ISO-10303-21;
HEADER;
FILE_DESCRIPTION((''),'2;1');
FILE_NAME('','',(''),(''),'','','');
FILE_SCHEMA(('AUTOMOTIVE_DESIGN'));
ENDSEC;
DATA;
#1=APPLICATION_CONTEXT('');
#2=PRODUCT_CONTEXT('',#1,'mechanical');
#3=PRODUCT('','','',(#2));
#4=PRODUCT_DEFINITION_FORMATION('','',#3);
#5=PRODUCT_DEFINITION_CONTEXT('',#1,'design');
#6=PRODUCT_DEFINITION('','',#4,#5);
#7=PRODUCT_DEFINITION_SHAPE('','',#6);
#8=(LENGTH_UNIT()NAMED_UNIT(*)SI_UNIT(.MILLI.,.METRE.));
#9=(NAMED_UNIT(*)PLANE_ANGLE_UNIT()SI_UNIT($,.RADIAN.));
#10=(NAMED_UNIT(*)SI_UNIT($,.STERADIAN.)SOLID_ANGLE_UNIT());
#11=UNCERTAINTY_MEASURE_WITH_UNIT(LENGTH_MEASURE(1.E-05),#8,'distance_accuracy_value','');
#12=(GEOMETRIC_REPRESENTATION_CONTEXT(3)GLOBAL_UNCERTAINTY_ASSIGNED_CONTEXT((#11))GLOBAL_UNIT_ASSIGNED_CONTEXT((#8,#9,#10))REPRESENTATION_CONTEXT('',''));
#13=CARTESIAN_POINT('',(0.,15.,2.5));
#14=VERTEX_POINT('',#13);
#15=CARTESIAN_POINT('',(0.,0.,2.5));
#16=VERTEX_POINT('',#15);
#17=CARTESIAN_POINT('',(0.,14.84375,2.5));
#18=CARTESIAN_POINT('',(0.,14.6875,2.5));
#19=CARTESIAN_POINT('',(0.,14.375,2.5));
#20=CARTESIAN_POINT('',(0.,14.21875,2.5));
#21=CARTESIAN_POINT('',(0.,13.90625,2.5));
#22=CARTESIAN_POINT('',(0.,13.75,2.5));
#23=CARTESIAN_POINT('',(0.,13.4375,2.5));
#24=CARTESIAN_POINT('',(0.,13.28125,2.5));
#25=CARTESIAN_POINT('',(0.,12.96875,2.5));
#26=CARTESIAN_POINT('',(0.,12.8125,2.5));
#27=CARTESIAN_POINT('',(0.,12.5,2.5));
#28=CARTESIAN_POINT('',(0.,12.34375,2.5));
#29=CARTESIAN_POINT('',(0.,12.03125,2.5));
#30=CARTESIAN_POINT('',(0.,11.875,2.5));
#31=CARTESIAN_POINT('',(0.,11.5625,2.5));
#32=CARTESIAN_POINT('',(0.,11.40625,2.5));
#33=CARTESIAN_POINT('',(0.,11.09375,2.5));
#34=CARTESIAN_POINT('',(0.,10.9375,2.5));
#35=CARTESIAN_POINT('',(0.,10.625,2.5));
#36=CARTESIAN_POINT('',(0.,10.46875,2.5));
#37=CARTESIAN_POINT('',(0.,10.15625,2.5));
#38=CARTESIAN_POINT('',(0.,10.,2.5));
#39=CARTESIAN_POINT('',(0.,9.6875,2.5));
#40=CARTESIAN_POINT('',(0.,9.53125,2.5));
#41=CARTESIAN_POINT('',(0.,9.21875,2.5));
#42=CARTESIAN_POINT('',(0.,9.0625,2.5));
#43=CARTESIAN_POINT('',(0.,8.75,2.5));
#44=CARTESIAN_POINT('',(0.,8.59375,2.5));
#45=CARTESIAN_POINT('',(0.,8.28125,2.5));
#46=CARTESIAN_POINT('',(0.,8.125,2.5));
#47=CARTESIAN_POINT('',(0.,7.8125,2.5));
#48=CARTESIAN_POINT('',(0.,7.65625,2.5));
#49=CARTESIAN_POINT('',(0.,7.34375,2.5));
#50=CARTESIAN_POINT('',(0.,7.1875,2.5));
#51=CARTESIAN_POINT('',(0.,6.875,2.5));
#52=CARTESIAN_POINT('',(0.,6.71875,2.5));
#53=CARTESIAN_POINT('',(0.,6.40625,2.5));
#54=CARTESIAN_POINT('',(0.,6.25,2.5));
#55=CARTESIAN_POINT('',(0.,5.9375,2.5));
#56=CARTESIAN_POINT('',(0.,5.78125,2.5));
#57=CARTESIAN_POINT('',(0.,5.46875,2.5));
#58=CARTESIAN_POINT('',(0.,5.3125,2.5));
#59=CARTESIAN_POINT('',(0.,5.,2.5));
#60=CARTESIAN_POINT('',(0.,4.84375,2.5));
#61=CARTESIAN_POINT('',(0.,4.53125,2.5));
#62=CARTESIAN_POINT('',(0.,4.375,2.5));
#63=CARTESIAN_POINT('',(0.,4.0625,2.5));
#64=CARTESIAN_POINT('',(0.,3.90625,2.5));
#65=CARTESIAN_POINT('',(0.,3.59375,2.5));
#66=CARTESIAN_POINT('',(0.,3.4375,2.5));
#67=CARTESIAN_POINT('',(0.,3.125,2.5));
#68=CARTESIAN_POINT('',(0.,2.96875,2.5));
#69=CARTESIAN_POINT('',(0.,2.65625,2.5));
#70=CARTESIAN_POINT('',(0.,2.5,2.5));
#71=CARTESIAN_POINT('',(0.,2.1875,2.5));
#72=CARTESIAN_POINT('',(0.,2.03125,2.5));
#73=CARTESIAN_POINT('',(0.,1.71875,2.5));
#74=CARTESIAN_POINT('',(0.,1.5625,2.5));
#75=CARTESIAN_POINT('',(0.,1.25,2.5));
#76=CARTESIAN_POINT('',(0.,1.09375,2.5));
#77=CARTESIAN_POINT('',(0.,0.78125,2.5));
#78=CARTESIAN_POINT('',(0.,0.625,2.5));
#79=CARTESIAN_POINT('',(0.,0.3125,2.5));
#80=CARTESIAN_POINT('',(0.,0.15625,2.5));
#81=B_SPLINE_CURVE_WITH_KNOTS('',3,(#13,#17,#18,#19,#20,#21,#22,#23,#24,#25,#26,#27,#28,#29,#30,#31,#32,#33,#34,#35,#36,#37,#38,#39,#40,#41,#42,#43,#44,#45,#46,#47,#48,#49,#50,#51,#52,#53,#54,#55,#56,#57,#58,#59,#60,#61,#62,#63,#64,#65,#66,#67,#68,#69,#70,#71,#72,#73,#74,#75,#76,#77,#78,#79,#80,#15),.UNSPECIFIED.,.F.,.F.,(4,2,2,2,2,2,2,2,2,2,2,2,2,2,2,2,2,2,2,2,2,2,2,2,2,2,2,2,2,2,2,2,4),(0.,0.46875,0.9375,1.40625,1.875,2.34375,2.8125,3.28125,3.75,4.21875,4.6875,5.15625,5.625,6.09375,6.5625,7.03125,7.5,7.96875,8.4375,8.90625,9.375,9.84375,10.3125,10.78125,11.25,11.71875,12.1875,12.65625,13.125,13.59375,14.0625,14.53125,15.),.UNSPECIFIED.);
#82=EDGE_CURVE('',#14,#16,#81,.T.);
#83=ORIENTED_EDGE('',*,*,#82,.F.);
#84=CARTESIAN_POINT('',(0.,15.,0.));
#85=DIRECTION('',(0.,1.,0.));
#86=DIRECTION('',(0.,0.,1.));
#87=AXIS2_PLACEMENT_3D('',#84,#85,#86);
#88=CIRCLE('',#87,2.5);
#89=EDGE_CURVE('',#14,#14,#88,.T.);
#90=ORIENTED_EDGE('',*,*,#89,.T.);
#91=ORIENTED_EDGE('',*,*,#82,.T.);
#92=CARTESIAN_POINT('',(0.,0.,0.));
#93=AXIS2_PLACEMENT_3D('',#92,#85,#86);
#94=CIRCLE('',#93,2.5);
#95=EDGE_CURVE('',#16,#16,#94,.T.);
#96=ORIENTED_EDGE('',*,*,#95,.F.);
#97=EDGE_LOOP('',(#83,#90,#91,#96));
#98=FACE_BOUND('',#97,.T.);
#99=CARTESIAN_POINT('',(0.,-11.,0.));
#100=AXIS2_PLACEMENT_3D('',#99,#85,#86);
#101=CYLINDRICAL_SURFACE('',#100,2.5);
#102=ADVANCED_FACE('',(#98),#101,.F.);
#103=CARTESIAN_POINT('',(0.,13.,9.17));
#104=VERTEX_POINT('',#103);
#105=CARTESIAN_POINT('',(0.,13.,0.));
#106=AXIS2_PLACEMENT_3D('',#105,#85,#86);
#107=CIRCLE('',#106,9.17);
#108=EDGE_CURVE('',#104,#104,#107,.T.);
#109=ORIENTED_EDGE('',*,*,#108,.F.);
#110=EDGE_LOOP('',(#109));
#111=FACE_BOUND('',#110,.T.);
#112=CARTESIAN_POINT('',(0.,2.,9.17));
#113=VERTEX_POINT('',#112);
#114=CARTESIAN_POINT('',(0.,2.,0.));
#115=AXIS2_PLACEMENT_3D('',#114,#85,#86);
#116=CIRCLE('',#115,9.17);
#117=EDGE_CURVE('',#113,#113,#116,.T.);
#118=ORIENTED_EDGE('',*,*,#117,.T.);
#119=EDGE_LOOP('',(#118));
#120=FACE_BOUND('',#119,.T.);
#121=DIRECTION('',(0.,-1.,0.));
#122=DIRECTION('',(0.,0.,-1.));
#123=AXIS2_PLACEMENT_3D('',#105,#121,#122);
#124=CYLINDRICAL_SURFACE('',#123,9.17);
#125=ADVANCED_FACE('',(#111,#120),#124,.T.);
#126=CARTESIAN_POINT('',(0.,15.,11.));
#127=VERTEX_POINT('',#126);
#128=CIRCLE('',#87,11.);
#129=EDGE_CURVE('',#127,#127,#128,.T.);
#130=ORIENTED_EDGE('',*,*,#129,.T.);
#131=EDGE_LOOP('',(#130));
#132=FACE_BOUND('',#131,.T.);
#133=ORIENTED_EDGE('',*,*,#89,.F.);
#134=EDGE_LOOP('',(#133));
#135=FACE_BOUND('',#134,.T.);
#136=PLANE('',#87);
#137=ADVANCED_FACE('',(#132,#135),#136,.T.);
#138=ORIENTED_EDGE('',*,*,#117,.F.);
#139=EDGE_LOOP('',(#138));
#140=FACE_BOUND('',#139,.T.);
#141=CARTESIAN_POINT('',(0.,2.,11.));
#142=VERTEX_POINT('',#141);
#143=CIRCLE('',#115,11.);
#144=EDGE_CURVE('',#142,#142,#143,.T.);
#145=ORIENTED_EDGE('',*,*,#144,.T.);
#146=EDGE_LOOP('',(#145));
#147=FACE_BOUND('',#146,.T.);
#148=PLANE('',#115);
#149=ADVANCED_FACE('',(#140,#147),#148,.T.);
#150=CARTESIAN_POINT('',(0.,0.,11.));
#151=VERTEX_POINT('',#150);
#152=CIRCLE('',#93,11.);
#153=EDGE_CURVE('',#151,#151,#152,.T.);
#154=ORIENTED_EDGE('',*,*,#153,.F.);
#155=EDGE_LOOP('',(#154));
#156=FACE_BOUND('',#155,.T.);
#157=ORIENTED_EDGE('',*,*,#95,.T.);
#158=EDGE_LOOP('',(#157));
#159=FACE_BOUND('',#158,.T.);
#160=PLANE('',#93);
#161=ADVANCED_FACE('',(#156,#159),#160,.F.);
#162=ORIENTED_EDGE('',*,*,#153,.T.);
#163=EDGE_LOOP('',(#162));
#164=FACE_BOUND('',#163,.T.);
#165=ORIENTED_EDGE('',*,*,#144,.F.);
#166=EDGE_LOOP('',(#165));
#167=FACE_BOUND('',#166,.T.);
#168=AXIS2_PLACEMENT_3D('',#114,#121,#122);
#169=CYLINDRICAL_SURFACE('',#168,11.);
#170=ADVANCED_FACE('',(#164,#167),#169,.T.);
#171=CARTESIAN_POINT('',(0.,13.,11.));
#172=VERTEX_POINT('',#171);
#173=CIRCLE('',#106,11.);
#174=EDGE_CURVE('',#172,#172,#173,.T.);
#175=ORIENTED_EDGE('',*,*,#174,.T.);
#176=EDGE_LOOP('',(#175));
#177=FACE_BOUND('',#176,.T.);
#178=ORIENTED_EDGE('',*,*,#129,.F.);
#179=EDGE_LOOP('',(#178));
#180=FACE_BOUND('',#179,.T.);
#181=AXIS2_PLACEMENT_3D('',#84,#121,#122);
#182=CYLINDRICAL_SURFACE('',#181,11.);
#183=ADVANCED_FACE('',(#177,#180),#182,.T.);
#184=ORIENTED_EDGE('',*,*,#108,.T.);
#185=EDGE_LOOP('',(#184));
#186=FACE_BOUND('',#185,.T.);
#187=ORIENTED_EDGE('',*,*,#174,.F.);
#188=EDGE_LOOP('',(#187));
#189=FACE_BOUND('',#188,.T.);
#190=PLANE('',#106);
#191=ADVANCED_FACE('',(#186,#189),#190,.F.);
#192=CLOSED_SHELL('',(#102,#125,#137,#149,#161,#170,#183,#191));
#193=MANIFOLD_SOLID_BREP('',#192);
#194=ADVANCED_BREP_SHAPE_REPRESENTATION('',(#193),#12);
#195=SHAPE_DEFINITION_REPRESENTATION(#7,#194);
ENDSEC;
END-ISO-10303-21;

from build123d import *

# Parameters (mm, degrees)
SKETCH_1_R          = 11
EXTRUDE_1_DEPTH     = 2
SKETCH_2_R          = 9.17
EXTRUDE_2_DEPTH     = 11
SKETCH_3_R          = 11
EXTRUDE_3_DEPTH     = 2
SKETCH_4_R          = 2.5
CUT_EXTRUDE_1_DEPTH = 26


with BuildPart() as part:
    # 草图1 → 凸台-拉伸1 (new body)
    with BuildSketch(Plane(origin=(0, 0, 0), x_dir=(1, 0, 0), z_dir=(0, 1, 0))):
        with Locations(Location((0, 0, 0), (0, 0, 270))):
            Circle(SKETCH_1_R)
    extrude(amount=EXTRUDE_1_DEPTH)

    # 草图2 → 凸台-拉伸2 (add)
    with BuildSketch(Plane(origin=(0, 2, 0), x_dir=(1, 0, 0), z_dir=(0, 1, 0))):
        with Locations(Location((0, 0, 0), (0, 0, 270))):
            Circle(SKETCH_2_R)
    extrude(amount=EXTRUDE_2_DEPTH)

    # 草图3 → 凸台-拉伸3 (add)
    with BuildSketch(Plane(origin=(0, 13, 0), x_dir=(1, 0, 0), z_dir=(0, 1, 0))):
        with Locations(Location((0, 0, 0), (0, 0, 270))):
            Circle(SKETCH_3_R)
    extrude(amount=EXTRUDE_3_DEPTH)

    # 草图4 → 切除-拉伸1 (cut)
    with BuildSketch(Plane(origin=(0, 15, 0), x_dir=(1, 0, 0), z_dir=(0, 1, 0))):
        with Locations(Location((0, 0, 0), (0, 0, 270))):
            Circle(SKETCH_4_R)
    extrude(amount=-CUT_EXTRUDE_1_DEPTH, mode=Mode.SUBTRACT)


solid = part.part
